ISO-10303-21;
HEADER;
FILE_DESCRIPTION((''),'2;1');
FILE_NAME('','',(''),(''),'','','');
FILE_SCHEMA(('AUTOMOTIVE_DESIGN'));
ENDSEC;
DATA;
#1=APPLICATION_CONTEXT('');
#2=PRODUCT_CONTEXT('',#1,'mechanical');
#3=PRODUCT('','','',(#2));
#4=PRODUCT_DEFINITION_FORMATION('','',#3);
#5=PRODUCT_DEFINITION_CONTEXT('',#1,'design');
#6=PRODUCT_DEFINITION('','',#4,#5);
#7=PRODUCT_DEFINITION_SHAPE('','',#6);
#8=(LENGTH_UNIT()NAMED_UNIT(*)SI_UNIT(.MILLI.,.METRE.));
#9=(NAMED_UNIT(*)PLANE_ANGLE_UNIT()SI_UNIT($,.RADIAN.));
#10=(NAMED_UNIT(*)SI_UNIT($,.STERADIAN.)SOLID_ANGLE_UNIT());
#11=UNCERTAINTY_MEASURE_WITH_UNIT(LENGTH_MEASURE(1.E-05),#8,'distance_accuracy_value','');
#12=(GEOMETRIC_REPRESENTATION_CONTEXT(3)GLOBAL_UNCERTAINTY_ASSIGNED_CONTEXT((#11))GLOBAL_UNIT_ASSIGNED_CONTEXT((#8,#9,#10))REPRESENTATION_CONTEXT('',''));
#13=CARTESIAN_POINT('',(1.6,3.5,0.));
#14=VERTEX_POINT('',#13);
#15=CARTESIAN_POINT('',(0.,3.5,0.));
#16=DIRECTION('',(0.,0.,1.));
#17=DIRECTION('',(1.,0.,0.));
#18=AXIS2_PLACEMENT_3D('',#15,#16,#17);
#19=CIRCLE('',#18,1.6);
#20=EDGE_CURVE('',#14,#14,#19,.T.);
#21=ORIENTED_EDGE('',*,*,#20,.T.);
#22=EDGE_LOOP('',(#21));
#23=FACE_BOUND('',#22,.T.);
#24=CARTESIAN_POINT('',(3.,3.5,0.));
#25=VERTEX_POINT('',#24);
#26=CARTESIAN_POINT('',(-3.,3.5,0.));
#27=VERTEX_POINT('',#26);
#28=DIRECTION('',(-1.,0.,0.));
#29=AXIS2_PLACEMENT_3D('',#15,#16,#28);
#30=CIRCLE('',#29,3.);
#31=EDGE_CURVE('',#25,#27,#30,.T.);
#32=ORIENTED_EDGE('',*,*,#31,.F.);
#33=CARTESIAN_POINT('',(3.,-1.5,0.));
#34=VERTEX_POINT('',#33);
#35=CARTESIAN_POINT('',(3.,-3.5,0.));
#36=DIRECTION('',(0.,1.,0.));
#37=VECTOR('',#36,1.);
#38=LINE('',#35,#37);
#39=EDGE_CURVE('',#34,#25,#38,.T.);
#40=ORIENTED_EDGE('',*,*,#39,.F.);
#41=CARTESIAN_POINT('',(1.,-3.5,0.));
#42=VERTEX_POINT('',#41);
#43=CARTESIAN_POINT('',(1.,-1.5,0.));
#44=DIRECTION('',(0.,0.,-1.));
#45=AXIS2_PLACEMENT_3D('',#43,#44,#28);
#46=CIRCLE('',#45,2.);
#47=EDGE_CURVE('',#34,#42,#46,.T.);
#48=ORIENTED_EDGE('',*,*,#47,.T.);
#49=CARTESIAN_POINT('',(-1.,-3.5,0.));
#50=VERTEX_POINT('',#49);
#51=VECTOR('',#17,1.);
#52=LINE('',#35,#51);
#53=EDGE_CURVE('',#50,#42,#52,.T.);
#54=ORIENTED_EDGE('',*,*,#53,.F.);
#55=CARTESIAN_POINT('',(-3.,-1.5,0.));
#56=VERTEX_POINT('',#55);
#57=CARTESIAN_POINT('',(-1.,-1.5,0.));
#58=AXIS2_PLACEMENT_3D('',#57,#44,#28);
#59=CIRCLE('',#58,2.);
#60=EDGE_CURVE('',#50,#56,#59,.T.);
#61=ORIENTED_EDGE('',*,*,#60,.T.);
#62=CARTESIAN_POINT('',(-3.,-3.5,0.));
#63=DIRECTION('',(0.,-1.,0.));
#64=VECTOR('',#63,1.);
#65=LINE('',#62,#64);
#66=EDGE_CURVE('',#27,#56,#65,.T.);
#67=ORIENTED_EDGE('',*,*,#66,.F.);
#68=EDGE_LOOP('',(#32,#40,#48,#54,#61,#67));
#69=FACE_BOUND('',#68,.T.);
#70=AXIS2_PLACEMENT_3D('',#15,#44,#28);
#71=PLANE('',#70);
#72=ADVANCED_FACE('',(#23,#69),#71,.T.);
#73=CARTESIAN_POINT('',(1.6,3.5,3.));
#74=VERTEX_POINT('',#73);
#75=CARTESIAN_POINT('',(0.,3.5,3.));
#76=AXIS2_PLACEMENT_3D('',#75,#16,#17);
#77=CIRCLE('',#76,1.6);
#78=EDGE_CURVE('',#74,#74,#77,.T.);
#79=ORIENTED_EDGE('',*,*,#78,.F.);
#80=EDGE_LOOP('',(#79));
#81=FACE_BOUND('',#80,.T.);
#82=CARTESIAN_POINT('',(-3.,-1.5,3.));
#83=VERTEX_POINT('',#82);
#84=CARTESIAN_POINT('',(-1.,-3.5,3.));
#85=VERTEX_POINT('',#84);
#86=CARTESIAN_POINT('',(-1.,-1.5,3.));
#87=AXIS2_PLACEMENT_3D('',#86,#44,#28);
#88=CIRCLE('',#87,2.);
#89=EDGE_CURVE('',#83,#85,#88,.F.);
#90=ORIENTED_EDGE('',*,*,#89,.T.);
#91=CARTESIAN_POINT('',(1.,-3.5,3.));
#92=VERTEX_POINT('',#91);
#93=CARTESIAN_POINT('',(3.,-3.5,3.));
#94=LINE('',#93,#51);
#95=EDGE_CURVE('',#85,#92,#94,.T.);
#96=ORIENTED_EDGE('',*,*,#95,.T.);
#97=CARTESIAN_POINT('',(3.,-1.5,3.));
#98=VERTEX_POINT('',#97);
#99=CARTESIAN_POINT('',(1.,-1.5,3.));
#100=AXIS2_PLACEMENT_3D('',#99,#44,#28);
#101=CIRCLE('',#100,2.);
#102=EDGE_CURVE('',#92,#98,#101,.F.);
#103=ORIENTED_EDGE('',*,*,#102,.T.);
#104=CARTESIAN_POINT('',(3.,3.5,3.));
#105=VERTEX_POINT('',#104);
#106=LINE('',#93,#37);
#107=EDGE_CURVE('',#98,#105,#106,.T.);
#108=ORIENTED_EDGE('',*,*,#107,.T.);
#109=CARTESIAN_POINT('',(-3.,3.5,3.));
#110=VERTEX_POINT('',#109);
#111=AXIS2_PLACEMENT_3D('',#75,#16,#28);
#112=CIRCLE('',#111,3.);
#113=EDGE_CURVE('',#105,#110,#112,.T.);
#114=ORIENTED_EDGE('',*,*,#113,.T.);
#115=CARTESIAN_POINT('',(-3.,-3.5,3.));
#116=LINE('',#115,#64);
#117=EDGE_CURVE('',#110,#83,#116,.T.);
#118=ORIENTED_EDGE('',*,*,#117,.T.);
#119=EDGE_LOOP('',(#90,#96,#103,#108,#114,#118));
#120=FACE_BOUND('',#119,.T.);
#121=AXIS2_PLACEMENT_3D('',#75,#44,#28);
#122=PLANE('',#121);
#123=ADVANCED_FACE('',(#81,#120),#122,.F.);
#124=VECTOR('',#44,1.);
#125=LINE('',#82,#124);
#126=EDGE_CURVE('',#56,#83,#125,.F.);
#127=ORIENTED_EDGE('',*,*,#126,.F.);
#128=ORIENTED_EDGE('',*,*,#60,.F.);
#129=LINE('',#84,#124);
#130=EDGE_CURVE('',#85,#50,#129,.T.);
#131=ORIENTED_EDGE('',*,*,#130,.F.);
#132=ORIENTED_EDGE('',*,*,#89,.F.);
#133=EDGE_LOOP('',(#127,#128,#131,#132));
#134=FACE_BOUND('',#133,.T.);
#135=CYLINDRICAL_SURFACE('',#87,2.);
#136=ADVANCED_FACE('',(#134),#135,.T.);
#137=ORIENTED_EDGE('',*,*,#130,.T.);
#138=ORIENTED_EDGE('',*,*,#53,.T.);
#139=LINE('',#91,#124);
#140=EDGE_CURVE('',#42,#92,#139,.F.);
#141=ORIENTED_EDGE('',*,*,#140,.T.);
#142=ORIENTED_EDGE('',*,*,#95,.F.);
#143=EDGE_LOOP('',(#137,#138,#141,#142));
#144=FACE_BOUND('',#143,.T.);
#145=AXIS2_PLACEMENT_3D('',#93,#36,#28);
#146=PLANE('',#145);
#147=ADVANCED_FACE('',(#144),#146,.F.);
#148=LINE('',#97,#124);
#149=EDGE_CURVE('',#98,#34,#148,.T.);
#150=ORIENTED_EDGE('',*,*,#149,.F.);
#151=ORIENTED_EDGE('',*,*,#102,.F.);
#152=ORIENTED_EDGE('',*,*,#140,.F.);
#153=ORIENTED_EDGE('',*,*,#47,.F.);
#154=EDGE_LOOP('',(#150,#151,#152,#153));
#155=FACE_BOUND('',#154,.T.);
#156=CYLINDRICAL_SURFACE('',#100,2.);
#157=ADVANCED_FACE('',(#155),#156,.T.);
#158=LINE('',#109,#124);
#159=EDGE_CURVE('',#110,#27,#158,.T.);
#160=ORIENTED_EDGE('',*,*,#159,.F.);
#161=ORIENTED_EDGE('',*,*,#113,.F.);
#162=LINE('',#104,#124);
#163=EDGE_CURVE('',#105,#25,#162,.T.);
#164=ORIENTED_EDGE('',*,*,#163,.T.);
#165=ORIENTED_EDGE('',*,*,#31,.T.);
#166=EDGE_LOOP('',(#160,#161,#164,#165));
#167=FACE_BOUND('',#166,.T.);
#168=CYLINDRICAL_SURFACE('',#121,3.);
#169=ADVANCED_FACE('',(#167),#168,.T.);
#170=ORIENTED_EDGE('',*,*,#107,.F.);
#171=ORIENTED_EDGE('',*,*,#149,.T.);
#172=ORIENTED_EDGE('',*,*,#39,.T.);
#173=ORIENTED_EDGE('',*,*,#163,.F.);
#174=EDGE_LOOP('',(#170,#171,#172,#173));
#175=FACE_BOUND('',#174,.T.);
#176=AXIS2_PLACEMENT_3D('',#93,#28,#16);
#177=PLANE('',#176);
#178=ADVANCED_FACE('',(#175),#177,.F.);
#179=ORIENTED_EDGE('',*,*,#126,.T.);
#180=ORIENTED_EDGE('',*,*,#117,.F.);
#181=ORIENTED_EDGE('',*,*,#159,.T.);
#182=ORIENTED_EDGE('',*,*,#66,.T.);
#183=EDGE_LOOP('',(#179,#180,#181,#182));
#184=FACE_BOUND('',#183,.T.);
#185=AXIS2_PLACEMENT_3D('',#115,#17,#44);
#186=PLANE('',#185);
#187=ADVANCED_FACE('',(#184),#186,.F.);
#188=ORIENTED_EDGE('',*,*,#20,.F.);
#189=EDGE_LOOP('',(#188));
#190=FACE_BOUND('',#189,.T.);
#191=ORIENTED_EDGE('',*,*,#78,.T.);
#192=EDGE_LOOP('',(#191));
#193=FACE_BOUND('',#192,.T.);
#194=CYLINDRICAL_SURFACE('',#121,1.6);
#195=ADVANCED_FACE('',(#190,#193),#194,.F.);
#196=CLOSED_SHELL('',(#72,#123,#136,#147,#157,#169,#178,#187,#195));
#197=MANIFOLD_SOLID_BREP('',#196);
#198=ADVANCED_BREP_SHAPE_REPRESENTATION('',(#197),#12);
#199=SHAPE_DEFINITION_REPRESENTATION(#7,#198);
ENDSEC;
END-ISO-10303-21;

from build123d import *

# Parameters (mm, degrees)
SKETCH_1_R      = 1.6
EXTRUDE_1_DEPTH = 3
FILLET_1_R      = 2


with BuildPart() as part:
    # ｽｹｯﾁ1 → ﾎﾞｽ - 押し出し1 (new body)
    with BuildSketch(Plane.XY):
        with BuildLine():
            Line((3, -3.5), (-3, -3.5))
            Line((-3, -3.5), (-3, 3.5))
            ThreePointArc((-3, 3.5), (0, 6.5), (3, 3.5))
            Line((3, 3.5), (3, -3.5))
        make_face()
        with Locations((0, 3.5)):
            Circle(SKETCH_1_R, mode=Mode.SUBTRACT)
    extrude(amount=EXTRUDE_1_DEPTH)

    # ﾌｨﾚｯﾄ1
    fillet_1_edges = [part.edges().sort_by_distance(p)[0] for p in [
        (3, -3.5, 1.5),
        (-3, -3.5, 1.5),
    ]]
    fillet(fillet_1_edges, radius=FILLET_1_R)


solid = part.part
